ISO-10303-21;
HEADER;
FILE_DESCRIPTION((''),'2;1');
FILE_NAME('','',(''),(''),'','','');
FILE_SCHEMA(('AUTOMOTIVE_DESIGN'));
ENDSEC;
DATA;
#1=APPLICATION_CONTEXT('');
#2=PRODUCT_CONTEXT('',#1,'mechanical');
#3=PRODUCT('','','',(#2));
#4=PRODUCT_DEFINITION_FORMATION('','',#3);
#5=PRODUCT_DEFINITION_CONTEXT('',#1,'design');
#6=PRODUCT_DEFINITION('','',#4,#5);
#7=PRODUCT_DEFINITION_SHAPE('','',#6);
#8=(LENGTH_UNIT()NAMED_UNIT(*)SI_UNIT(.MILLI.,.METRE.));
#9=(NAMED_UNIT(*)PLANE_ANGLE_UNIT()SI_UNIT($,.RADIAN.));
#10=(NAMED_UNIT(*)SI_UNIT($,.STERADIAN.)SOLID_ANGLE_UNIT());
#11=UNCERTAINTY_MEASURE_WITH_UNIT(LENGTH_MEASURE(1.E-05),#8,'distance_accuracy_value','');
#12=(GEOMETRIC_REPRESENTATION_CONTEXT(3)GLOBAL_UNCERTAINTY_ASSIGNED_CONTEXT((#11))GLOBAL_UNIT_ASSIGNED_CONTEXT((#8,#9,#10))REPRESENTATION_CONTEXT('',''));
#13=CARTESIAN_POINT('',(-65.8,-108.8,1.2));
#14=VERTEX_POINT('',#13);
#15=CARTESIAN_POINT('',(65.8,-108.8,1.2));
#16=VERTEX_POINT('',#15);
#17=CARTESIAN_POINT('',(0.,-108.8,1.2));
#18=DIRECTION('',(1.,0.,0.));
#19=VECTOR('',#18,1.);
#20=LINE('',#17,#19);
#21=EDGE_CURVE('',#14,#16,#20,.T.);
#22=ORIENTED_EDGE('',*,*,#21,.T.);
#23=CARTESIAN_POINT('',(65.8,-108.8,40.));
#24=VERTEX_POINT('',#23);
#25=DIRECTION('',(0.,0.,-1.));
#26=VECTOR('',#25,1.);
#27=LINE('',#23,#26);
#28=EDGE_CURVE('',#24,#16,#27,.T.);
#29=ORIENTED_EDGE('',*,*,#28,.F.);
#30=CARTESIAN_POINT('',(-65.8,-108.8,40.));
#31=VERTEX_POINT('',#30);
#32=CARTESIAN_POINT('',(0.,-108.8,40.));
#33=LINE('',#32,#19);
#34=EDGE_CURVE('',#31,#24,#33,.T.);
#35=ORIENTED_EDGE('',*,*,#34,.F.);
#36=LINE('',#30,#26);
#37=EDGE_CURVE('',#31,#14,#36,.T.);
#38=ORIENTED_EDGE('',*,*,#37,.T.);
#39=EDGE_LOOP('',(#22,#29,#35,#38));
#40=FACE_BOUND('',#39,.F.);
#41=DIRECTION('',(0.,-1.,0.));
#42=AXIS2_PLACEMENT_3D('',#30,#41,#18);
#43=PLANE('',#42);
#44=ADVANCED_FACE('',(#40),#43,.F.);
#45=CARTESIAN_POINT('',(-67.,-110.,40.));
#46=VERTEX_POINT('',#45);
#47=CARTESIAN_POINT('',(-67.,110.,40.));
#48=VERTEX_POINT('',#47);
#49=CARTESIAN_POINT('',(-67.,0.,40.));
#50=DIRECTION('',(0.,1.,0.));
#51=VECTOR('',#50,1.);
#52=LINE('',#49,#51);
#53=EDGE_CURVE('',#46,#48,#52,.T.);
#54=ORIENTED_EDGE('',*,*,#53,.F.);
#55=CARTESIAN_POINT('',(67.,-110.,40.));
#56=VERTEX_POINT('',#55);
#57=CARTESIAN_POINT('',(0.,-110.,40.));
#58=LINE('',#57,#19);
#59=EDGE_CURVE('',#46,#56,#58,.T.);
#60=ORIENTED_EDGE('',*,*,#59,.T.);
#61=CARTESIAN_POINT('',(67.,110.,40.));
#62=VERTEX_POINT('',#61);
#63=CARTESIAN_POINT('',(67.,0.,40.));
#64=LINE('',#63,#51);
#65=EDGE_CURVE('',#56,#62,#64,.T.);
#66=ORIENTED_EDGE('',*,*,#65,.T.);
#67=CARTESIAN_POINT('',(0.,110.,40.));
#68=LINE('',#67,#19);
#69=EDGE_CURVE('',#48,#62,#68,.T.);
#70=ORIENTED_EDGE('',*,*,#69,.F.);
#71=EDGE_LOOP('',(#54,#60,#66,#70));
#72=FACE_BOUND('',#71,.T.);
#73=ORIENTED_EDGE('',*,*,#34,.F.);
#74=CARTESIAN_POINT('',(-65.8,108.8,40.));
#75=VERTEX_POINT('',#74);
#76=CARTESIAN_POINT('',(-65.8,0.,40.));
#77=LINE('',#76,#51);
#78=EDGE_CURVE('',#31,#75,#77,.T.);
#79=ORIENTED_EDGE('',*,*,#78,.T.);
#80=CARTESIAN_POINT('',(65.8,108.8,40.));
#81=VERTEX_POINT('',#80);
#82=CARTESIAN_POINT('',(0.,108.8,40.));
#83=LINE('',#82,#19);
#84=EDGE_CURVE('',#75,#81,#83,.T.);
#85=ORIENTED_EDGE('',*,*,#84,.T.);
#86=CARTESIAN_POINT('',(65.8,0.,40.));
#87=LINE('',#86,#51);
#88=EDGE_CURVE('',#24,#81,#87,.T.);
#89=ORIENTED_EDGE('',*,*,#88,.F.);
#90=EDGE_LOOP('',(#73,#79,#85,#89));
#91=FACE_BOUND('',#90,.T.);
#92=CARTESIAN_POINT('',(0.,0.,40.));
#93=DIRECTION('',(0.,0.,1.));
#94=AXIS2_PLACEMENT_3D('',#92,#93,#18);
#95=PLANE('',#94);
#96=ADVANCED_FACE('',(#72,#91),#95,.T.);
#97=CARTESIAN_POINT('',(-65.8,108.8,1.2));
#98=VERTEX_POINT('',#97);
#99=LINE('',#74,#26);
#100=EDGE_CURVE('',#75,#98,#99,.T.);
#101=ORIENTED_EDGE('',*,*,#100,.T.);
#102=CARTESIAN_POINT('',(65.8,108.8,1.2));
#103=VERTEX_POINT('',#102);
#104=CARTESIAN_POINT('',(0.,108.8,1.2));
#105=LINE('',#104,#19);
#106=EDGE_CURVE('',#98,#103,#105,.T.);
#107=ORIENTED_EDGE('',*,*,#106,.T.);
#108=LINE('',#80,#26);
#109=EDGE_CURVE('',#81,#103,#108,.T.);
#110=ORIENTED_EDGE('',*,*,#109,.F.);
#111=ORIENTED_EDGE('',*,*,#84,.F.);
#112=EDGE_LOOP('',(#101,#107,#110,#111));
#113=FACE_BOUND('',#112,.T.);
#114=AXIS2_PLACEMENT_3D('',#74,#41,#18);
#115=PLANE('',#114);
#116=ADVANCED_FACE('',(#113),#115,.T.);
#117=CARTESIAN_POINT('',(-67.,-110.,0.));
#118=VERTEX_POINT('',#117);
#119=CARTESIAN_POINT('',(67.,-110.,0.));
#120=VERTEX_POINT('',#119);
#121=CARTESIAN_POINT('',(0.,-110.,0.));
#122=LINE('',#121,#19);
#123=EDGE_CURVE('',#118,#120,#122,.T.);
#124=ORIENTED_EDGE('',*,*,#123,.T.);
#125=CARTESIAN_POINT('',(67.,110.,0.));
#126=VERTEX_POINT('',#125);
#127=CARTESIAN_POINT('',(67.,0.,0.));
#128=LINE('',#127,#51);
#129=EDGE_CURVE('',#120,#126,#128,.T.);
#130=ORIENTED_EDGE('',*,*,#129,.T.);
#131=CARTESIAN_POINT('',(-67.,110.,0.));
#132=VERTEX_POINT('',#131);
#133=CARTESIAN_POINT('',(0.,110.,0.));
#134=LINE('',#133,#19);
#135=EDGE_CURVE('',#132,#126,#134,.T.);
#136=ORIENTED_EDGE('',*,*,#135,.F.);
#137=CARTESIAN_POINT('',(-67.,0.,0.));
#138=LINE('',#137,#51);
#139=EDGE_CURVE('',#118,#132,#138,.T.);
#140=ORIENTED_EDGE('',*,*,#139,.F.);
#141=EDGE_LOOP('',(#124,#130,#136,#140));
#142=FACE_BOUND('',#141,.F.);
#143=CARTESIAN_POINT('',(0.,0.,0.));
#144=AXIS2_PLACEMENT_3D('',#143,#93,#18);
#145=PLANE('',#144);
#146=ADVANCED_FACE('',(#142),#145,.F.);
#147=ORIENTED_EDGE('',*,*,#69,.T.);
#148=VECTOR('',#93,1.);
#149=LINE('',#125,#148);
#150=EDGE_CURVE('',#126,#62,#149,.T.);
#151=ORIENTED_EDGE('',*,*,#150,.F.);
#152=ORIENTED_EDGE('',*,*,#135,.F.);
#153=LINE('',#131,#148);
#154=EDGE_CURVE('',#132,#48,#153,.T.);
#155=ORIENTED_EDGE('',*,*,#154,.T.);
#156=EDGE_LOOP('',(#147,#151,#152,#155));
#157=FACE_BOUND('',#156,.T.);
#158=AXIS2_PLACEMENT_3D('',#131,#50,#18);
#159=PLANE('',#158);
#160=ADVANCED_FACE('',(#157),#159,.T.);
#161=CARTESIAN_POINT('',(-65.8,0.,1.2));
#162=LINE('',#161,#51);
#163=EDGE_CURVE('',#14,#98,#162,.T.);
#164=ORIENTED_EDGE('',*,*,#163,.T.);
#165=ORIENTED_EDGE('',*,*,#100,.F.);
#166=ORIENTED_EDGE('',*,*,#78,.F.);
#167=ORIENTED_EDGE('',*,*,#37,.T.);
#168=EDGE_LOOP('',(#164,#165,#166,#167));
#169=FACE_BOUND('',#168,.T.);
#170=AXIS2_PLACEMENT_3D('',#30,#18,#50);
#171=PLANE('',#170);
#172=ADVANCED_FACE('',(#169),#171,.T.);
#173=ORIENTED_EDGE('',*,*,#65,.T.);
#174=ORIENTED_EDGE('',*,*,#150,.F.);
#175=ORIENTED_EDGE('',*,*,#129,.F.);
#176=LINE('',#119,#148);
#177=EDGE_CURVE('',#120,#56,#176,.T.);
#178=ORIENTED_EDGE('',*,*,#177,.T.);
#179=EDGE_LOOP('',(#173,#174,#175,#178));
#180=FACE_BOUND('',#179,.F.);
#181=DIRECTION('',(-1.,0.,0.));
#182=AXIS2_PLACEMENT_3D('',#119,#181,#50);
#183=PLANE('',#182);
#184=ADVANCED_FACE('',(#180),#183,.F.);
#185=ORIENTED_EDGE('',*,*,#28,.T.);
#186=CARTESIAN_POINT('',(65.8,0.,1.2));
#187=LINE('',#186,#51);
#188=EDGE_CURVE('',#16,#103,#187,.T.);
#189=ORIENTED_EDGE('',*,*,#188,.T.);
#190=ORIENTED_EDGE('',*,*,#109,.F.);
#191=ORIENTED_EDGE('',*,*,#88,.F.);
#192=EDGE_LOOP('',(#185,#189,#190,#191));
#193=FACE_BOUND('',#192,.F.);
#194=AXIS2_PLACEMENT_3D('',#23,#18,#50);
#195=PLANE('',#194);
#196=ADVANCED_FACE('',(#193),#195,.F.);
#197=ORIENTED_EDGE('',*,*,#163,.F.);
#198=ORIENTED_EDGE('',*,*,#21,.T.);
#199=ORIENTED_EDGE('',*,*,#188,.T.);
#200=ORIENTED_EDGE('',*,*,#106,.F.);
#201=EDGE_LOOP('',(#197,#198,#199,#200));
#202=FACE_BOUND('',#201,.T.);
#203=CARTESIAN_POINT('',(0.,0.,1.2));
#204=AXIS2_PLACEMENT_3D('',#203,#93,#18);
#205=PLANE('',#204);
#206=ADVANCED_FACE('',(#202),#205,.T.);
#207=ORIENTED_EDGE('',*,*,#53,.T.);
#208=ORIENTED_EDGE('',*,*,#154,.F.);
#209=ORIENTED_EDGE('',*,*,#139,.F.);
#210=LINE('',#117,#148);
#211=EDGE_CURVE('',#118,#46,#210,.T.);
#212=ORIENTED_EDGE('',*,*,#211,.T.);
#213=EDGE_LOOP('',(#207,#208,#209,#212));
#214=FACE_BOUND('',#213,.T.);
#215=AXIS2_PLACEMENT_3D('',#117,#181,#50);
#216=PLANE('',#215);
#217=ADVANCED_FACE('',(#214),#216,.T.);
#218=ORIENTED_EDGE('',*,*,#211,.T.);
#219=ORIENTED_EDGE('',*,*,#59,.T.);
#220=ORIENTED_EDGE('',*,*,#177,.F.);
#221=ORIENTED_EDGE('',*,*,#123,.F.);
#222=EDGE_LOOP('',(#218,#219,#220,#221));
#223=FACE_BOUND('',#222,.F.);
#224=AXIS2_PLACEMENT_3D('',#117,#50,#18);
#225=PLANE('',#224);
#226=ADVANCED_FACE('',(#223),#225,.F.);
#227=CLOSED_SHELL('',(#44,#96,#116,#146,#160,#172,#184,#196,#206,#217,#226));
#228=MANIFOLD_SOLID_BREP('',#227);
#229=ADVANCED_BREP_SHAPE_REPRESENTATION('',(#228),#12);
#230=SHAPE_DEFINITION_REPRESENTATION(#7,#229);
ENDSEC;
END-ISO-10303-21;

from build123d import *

# Parameters (mm, degrees)
SKETCH_W     = 134
SKETCH_H     = 220
PAD_DEPTH    = 40
SKETCH001_W  = 131.6
SKETCH001_H  = 217.6
POCKET_DEPTH = 38.8


with BuildPart() as part:
    # Sketch → Pad (new body)
    with BuildSketch(Plane.XY):
        Rectangle(SKETCH_W, SKETCH_H)
    extrude(amount=PAD_DEPTH)

    # Sketch001 (on DatumPlane) → Pocket (cut)
    with BuildSketch(Plane.XY.offset(40)):
        Rectangle(SKETCH001_W, SKETCH001_H)
    extrude(amount=-POCKET_DEPTH, mode=Mode.SUBTRACT)


solid = part.part
